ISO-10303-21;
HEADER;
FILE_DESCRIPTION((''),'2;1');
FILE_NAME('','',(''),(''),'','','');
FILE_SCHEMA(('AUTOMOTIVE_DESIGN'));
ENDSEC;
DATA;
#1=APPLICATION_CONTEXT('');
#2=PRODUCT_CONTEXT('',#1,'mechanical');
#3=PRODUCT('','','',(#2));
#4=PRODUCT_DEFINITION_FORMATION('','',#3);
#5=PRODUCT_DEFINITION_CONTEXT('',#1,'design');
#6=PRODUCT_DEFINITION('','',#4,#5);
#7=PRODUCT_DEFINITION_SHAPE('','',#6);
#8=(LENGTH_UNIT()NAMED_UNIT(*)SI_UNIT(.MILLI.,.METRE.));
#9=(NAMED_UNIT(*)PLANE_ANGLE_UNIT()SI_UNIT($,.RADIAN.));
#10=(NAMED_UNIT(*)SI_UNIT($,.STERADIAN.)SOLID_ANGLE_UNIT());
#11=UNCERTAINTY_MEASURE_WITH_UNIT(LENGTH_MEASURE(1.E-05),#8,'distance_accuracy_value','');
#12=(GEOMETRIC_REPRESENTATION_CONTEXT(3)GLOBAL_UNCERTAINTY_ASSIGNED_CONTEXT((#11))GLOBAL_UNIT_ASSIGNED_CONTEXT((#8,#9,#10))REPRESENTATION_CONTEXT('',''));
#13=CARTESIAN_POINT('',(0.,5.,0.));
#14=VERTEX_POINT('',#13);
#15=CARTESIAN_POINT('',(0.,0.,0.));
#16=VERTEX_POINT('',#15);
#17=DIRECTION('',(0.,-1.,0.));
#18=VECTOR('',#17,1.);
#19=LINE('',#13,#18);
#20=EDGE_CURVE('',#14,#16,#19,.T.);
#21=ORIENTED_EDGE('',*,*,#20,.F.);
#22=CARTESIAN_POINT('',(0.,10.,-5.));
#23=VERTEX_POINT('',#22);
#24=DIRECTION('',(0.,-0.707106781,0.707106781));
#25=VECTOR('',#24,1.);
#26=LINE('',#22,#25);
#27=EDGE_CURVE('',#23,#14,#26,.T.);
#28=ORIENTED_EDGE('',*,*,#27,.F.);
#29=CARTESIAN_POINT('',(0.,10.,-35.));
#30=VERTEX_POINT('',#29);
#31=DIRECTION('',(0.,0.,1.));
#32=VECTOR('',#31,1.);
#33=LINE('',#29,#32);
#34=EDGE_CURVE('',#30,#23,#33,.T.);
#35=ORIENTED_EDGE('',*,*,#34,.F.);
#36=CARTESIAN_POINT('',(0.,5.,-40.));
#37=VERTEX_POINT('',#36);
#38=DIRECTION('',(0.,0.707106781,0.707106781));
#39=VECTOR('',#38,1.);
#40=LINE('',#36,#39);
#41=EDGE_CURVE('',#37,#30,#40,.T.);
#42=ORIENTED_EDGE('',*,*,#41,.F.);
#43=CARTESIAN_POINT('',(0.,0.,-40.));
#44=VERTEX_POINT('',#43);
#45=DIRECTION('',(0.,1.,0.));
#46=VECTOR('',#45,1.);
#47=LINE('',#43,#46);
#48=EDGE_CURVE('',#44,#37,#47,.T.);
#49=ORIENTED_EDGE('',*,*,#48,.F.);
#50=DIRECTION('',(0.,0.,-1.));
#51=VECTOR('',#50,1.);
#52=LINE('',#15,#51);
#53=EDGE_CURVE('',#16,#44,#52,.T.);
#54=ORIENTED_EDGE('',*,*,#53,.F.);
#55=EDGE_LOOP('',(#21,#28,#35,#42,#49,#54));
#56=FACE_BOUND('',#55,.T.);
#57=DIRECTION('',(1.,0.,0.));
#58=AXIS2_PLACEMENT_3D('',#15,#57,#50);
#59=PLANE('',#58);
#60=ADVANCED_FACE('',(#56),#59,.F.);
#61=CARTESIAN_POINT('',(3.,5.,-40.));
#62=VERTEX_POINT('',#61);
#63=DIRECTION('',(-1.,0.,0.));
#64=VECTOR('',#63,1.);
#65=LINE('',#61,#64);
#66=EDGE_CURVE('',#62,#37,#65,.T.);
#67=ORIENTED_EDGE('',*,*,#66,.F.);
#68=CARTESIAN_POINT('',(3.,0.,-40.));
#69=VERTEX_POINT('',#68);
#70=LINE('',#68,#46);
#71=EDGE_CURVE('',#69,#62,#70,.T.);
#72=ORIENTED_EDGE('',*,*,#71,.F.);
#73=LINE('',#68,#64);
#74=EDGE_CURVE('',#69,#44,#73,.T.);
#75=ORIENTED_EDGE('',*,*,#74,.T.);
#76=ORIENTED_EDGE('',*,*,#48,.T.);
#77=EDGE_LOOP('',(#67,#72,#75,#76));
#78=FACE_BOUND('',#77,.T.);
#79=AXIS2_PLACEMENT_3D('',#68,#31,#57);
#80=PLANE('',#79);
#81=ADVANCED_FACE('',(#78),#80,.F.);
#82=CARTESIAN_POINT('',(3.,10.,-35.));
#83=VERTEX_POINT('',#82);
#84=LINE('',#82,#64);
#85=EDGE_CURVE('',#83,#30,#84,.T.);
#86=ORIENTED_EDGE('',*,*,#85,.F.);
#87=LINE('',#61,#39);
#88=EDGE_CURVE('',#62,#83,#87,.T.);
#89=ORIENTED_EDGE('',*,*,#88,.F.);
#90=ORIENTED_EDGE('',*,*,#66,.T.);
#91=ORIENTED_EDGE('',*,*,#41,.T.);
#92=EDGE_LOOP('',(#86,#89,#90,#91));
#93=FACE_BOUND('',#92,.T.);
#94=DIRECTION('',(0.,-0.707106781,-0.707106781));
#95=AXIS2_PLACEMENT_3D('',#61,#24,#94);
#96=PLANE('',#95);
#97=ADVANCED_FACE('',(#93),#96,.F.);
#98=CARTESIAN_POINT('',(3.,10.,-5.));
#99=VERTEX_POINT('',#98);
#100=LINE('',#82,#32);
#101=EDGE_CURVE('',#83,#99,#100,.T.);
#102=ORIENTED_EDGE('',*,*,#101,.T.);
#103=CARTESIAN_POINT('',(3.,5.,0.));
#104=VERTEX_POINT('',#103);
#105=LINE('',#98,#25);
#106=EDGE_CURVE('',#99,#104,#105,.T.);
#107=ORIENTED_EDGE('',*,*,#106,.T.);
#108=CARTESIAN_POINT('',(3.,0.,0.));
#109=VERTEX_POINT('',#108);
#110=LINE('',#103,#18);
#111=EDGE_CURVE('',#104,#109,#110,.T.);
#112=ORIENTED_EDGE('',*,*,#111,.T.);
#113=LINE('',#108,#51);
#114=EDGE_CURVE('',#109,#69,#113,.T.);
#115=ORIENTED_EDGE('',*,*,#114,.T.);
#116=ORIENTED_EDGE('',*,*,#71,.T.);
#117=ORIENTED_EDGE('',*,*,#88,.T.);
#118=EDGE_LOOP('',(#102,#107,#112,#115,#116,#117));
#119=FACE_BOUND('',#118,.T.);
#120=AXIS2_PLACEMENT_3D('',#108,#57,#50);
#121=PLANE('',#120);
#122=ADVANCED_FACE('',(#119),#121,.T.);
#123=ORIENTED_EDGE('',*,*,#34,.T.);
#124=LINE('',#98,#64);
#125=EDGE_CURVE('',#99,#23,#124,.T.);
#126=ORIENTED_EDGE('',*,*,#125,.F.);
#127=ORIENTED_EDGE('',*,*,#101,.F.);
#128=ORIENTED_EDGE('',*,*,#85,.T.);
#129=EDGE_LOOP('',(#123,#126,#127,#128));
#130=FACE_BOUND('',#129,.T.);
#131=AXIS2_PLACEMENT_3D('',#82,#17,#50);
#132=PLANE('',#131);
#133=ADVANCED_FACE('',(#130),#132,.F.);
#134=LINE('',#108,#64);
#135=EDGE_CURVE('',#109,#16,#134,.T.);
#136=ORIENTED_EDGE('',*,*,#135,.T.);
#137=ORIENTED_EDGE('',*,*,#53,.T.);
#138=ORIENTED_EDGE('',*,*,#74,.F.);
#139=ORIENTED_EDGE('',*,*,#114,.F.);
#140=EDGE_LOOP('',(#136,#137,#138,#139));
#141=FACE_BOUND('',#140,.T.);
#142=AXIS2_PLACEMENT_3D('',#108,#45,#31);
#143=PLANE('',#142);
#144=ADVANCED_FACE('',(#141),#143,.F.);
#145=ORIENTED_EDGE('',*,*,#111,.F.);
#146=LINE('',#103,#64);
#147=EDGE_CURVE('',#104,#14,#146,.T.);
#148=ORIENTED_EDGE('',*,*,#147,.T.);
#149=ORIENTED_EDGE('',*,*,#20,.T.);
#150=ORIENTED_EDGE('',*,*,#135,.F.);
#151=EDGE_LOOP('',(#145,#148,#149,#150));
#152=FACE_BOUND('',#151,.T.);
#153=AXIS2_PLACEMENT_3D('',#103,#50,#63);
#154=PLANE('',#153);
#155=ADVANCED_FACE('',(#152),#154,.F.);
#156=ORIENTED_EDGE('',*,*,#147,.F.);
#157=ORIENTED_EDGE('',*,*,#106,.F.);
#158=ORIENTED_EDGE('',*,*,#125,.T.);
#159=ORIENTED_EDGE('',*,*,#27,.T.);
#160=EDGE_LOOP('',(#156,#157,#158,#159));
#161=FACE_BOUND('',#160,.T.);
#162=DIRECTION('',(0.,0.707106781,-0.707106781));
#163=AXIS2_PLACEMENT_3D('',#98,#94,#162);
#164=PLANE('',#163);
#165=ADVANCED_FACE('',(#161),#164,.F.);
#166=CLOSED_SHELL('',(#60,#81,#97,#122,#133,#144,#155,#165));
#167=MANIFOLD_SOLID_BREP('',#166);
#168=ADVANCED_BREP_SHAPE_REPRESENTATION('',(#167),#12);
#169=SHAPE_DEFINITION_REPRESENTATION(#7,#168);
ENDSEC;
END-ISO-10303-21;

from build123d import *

# Parameters (mm, degrees)
EXTRUDE_1_DEPTH = 3


with BuildPart() as part:
    # Эскиз1 → Бобышка-Вытянуть1 (new body)
    with BuildSketch(Plane(origin=(0, 0, 0), x_dir=(0, 0, -1), z_dir=(1, 0, 0))):
        Polygon((0, 0), (40, 0), (40, 5), (35, 10), (5, 10), (0, 5), align=None)
    extrude(amount=EXTRUDE_1_DEPTH)


solid = part.part
